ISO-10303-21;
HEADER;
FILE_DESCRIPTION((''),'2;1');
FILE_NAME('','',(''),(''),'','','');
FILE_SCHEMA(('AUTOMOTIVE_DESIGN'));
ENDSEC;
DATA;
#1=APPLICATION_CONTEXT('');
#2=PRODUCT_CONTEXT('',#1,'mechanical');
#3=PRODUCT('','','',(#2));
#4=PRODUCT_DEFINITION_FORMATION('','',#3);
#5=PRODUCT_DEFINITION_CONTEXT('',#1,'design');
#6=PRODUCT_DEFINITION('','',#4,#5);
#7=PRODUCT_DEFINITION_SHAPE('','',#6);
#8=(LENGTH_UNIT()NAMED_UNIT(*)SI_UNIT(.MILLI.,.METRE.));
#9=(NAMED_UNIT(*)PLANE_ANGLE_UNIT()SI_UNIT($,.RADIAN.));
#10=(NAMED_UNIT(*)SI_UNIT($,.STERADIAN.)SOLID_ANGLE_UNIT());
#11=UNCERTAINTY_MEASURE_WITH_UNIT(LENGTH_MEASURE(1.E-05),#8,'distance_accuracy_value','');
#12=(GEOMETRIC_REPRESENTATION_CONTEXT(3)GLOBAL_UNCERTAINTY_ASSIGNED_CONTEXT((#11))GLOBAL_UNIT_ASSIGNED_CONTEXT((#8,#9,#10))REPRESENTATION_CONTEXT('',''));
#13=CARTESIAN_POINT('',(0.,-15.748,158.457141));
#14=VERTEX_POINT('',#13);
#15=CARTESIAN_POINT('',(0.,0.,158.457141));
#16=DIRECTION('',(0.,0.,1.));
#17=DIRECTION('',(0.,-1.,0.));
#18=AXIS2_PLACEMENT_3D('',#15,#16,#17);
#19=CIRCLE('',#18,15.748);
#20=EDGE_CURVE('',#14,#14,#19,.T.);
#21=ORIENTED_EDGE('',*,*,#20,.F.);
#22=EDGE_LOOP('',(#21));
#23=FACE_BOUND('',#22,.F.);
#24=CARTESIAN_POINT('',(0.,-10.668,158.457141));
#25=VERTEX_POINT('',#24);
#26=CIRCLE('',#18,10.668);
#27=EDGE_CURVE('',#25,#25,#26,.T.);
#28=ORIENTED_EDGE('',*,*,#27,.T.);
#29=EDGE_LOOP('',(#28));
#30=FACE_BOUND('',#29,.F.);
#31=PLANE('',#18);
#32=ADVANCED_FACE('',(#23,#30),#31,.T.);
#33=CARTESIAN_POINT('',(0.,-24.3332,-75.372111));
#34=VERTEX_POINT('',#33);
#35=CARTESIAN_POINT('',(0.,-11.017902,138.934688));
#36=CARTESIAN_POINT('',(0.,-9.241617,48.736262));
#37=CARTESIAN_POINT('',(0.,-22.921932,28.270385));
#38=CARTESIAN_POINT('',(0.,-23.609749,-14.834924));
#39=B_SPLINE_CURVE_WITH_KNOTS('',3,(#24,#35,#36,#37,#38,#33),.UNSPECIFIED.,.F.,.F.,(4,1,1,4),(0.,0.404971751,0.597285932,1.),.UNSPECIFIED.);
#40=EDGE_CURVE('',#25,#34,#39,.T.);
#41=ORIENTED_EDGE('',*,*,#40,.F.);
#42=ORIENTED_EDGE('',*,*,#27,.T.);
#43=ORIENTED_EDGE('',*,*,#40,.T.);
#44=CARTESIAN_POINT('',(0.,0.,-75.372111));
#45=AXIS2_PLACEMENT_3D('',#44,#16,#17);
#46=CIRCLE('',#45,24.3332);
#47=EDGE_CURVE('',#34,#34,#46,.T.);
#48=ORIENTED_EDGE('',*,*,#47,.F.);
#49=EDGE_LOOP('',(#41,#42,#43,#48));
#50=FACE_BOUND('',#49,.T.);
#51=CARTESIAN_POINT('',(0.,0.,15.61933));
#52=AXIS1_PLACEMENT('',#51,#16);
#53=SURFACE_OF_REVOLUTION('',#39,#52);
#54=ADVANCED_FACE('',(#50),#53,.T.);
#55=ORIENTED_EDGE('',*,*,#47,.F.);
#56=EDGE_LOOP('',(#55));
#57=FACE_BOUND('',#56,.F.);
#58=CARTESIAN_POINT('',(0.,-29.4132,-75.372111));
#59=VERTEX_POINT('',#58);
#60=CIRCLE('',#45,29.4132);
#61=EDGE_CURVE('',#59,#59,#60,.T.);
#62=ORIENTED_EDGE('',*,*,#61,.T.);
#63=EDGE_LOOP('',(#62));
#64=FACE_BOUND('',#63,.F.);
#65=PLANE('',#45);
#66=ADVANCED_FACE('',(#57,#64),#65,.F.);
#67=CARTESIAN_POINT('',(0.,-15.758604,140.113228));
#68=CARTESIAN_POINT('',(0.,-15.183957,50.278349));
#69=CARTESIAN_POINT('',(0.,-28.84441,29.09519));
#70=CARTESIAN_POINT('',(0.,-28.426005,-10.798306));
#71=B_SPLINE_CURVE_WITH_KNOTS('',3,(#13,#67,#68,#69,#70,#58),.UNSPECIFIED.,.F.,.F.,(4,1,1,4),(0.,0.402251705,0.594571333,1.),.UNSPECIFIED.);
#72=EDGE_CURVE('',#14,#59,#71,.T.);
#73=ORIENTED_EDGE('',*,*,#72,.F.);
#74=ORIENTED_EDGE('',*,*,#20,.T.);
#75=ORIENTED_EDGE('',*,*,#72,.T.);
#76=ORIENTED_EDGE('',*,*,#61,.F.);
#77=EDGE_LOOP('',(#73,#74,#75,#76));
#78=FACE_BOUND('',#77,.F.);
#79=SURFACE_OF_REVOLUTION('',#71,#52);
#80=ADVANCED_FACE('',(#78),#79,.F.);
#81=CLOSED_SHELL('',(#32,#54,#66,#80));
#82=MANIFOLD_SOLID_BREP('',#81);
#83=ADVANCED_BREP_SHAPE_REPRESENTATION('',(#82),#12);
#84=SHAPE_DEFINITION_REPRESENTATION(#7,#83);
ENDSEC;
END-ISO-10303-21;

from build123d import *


with BuildPart() as f1:
    # F0 (on Right) → F1 (revolve)
    with BuildSketch(Plane.YZ):
        with BuildLine():
            Line((-10.668, 158.4571413895), (-15.748, 158.4571413895))
            add(Edge.make_bspline(
                [(-15.748, 158.4571413895), (-15.7586041273, 140.1132282891), (-15.1839569789, 50.2783490294), (-28.8444096522, 29.0951899544), (-28.4260051037, -10.7983063939), (-29.4132, -75.3721110722)],
                knots=[0, 0, 0, 0, 0.4022517046, 0.5945713328, 1, 1, 1, 1], degree=3))
            Line((-29.4132, -75.3721110722), (-24.3332, -75.3721110722))
            add(Edge.make_bspline(
                [(-10.668, 158.4571413895), (-11.0179023524, 138.934687694), (-9.2416170133, 48.7362618905), (-22.9219315725, 28.2703851045), (-23.6097492955, -14.8349242121), (-24.3332, -75.3721110722)],
                knots=[0, 0, 0, 0, 0.4049717514, 0.5972859317, 1, 1, 1, 1], degree=3))
        make_face()
    revolve(axis=Axis((0, 0, 15.6193301082), (0, 0, 1)))


solid = f1.part
